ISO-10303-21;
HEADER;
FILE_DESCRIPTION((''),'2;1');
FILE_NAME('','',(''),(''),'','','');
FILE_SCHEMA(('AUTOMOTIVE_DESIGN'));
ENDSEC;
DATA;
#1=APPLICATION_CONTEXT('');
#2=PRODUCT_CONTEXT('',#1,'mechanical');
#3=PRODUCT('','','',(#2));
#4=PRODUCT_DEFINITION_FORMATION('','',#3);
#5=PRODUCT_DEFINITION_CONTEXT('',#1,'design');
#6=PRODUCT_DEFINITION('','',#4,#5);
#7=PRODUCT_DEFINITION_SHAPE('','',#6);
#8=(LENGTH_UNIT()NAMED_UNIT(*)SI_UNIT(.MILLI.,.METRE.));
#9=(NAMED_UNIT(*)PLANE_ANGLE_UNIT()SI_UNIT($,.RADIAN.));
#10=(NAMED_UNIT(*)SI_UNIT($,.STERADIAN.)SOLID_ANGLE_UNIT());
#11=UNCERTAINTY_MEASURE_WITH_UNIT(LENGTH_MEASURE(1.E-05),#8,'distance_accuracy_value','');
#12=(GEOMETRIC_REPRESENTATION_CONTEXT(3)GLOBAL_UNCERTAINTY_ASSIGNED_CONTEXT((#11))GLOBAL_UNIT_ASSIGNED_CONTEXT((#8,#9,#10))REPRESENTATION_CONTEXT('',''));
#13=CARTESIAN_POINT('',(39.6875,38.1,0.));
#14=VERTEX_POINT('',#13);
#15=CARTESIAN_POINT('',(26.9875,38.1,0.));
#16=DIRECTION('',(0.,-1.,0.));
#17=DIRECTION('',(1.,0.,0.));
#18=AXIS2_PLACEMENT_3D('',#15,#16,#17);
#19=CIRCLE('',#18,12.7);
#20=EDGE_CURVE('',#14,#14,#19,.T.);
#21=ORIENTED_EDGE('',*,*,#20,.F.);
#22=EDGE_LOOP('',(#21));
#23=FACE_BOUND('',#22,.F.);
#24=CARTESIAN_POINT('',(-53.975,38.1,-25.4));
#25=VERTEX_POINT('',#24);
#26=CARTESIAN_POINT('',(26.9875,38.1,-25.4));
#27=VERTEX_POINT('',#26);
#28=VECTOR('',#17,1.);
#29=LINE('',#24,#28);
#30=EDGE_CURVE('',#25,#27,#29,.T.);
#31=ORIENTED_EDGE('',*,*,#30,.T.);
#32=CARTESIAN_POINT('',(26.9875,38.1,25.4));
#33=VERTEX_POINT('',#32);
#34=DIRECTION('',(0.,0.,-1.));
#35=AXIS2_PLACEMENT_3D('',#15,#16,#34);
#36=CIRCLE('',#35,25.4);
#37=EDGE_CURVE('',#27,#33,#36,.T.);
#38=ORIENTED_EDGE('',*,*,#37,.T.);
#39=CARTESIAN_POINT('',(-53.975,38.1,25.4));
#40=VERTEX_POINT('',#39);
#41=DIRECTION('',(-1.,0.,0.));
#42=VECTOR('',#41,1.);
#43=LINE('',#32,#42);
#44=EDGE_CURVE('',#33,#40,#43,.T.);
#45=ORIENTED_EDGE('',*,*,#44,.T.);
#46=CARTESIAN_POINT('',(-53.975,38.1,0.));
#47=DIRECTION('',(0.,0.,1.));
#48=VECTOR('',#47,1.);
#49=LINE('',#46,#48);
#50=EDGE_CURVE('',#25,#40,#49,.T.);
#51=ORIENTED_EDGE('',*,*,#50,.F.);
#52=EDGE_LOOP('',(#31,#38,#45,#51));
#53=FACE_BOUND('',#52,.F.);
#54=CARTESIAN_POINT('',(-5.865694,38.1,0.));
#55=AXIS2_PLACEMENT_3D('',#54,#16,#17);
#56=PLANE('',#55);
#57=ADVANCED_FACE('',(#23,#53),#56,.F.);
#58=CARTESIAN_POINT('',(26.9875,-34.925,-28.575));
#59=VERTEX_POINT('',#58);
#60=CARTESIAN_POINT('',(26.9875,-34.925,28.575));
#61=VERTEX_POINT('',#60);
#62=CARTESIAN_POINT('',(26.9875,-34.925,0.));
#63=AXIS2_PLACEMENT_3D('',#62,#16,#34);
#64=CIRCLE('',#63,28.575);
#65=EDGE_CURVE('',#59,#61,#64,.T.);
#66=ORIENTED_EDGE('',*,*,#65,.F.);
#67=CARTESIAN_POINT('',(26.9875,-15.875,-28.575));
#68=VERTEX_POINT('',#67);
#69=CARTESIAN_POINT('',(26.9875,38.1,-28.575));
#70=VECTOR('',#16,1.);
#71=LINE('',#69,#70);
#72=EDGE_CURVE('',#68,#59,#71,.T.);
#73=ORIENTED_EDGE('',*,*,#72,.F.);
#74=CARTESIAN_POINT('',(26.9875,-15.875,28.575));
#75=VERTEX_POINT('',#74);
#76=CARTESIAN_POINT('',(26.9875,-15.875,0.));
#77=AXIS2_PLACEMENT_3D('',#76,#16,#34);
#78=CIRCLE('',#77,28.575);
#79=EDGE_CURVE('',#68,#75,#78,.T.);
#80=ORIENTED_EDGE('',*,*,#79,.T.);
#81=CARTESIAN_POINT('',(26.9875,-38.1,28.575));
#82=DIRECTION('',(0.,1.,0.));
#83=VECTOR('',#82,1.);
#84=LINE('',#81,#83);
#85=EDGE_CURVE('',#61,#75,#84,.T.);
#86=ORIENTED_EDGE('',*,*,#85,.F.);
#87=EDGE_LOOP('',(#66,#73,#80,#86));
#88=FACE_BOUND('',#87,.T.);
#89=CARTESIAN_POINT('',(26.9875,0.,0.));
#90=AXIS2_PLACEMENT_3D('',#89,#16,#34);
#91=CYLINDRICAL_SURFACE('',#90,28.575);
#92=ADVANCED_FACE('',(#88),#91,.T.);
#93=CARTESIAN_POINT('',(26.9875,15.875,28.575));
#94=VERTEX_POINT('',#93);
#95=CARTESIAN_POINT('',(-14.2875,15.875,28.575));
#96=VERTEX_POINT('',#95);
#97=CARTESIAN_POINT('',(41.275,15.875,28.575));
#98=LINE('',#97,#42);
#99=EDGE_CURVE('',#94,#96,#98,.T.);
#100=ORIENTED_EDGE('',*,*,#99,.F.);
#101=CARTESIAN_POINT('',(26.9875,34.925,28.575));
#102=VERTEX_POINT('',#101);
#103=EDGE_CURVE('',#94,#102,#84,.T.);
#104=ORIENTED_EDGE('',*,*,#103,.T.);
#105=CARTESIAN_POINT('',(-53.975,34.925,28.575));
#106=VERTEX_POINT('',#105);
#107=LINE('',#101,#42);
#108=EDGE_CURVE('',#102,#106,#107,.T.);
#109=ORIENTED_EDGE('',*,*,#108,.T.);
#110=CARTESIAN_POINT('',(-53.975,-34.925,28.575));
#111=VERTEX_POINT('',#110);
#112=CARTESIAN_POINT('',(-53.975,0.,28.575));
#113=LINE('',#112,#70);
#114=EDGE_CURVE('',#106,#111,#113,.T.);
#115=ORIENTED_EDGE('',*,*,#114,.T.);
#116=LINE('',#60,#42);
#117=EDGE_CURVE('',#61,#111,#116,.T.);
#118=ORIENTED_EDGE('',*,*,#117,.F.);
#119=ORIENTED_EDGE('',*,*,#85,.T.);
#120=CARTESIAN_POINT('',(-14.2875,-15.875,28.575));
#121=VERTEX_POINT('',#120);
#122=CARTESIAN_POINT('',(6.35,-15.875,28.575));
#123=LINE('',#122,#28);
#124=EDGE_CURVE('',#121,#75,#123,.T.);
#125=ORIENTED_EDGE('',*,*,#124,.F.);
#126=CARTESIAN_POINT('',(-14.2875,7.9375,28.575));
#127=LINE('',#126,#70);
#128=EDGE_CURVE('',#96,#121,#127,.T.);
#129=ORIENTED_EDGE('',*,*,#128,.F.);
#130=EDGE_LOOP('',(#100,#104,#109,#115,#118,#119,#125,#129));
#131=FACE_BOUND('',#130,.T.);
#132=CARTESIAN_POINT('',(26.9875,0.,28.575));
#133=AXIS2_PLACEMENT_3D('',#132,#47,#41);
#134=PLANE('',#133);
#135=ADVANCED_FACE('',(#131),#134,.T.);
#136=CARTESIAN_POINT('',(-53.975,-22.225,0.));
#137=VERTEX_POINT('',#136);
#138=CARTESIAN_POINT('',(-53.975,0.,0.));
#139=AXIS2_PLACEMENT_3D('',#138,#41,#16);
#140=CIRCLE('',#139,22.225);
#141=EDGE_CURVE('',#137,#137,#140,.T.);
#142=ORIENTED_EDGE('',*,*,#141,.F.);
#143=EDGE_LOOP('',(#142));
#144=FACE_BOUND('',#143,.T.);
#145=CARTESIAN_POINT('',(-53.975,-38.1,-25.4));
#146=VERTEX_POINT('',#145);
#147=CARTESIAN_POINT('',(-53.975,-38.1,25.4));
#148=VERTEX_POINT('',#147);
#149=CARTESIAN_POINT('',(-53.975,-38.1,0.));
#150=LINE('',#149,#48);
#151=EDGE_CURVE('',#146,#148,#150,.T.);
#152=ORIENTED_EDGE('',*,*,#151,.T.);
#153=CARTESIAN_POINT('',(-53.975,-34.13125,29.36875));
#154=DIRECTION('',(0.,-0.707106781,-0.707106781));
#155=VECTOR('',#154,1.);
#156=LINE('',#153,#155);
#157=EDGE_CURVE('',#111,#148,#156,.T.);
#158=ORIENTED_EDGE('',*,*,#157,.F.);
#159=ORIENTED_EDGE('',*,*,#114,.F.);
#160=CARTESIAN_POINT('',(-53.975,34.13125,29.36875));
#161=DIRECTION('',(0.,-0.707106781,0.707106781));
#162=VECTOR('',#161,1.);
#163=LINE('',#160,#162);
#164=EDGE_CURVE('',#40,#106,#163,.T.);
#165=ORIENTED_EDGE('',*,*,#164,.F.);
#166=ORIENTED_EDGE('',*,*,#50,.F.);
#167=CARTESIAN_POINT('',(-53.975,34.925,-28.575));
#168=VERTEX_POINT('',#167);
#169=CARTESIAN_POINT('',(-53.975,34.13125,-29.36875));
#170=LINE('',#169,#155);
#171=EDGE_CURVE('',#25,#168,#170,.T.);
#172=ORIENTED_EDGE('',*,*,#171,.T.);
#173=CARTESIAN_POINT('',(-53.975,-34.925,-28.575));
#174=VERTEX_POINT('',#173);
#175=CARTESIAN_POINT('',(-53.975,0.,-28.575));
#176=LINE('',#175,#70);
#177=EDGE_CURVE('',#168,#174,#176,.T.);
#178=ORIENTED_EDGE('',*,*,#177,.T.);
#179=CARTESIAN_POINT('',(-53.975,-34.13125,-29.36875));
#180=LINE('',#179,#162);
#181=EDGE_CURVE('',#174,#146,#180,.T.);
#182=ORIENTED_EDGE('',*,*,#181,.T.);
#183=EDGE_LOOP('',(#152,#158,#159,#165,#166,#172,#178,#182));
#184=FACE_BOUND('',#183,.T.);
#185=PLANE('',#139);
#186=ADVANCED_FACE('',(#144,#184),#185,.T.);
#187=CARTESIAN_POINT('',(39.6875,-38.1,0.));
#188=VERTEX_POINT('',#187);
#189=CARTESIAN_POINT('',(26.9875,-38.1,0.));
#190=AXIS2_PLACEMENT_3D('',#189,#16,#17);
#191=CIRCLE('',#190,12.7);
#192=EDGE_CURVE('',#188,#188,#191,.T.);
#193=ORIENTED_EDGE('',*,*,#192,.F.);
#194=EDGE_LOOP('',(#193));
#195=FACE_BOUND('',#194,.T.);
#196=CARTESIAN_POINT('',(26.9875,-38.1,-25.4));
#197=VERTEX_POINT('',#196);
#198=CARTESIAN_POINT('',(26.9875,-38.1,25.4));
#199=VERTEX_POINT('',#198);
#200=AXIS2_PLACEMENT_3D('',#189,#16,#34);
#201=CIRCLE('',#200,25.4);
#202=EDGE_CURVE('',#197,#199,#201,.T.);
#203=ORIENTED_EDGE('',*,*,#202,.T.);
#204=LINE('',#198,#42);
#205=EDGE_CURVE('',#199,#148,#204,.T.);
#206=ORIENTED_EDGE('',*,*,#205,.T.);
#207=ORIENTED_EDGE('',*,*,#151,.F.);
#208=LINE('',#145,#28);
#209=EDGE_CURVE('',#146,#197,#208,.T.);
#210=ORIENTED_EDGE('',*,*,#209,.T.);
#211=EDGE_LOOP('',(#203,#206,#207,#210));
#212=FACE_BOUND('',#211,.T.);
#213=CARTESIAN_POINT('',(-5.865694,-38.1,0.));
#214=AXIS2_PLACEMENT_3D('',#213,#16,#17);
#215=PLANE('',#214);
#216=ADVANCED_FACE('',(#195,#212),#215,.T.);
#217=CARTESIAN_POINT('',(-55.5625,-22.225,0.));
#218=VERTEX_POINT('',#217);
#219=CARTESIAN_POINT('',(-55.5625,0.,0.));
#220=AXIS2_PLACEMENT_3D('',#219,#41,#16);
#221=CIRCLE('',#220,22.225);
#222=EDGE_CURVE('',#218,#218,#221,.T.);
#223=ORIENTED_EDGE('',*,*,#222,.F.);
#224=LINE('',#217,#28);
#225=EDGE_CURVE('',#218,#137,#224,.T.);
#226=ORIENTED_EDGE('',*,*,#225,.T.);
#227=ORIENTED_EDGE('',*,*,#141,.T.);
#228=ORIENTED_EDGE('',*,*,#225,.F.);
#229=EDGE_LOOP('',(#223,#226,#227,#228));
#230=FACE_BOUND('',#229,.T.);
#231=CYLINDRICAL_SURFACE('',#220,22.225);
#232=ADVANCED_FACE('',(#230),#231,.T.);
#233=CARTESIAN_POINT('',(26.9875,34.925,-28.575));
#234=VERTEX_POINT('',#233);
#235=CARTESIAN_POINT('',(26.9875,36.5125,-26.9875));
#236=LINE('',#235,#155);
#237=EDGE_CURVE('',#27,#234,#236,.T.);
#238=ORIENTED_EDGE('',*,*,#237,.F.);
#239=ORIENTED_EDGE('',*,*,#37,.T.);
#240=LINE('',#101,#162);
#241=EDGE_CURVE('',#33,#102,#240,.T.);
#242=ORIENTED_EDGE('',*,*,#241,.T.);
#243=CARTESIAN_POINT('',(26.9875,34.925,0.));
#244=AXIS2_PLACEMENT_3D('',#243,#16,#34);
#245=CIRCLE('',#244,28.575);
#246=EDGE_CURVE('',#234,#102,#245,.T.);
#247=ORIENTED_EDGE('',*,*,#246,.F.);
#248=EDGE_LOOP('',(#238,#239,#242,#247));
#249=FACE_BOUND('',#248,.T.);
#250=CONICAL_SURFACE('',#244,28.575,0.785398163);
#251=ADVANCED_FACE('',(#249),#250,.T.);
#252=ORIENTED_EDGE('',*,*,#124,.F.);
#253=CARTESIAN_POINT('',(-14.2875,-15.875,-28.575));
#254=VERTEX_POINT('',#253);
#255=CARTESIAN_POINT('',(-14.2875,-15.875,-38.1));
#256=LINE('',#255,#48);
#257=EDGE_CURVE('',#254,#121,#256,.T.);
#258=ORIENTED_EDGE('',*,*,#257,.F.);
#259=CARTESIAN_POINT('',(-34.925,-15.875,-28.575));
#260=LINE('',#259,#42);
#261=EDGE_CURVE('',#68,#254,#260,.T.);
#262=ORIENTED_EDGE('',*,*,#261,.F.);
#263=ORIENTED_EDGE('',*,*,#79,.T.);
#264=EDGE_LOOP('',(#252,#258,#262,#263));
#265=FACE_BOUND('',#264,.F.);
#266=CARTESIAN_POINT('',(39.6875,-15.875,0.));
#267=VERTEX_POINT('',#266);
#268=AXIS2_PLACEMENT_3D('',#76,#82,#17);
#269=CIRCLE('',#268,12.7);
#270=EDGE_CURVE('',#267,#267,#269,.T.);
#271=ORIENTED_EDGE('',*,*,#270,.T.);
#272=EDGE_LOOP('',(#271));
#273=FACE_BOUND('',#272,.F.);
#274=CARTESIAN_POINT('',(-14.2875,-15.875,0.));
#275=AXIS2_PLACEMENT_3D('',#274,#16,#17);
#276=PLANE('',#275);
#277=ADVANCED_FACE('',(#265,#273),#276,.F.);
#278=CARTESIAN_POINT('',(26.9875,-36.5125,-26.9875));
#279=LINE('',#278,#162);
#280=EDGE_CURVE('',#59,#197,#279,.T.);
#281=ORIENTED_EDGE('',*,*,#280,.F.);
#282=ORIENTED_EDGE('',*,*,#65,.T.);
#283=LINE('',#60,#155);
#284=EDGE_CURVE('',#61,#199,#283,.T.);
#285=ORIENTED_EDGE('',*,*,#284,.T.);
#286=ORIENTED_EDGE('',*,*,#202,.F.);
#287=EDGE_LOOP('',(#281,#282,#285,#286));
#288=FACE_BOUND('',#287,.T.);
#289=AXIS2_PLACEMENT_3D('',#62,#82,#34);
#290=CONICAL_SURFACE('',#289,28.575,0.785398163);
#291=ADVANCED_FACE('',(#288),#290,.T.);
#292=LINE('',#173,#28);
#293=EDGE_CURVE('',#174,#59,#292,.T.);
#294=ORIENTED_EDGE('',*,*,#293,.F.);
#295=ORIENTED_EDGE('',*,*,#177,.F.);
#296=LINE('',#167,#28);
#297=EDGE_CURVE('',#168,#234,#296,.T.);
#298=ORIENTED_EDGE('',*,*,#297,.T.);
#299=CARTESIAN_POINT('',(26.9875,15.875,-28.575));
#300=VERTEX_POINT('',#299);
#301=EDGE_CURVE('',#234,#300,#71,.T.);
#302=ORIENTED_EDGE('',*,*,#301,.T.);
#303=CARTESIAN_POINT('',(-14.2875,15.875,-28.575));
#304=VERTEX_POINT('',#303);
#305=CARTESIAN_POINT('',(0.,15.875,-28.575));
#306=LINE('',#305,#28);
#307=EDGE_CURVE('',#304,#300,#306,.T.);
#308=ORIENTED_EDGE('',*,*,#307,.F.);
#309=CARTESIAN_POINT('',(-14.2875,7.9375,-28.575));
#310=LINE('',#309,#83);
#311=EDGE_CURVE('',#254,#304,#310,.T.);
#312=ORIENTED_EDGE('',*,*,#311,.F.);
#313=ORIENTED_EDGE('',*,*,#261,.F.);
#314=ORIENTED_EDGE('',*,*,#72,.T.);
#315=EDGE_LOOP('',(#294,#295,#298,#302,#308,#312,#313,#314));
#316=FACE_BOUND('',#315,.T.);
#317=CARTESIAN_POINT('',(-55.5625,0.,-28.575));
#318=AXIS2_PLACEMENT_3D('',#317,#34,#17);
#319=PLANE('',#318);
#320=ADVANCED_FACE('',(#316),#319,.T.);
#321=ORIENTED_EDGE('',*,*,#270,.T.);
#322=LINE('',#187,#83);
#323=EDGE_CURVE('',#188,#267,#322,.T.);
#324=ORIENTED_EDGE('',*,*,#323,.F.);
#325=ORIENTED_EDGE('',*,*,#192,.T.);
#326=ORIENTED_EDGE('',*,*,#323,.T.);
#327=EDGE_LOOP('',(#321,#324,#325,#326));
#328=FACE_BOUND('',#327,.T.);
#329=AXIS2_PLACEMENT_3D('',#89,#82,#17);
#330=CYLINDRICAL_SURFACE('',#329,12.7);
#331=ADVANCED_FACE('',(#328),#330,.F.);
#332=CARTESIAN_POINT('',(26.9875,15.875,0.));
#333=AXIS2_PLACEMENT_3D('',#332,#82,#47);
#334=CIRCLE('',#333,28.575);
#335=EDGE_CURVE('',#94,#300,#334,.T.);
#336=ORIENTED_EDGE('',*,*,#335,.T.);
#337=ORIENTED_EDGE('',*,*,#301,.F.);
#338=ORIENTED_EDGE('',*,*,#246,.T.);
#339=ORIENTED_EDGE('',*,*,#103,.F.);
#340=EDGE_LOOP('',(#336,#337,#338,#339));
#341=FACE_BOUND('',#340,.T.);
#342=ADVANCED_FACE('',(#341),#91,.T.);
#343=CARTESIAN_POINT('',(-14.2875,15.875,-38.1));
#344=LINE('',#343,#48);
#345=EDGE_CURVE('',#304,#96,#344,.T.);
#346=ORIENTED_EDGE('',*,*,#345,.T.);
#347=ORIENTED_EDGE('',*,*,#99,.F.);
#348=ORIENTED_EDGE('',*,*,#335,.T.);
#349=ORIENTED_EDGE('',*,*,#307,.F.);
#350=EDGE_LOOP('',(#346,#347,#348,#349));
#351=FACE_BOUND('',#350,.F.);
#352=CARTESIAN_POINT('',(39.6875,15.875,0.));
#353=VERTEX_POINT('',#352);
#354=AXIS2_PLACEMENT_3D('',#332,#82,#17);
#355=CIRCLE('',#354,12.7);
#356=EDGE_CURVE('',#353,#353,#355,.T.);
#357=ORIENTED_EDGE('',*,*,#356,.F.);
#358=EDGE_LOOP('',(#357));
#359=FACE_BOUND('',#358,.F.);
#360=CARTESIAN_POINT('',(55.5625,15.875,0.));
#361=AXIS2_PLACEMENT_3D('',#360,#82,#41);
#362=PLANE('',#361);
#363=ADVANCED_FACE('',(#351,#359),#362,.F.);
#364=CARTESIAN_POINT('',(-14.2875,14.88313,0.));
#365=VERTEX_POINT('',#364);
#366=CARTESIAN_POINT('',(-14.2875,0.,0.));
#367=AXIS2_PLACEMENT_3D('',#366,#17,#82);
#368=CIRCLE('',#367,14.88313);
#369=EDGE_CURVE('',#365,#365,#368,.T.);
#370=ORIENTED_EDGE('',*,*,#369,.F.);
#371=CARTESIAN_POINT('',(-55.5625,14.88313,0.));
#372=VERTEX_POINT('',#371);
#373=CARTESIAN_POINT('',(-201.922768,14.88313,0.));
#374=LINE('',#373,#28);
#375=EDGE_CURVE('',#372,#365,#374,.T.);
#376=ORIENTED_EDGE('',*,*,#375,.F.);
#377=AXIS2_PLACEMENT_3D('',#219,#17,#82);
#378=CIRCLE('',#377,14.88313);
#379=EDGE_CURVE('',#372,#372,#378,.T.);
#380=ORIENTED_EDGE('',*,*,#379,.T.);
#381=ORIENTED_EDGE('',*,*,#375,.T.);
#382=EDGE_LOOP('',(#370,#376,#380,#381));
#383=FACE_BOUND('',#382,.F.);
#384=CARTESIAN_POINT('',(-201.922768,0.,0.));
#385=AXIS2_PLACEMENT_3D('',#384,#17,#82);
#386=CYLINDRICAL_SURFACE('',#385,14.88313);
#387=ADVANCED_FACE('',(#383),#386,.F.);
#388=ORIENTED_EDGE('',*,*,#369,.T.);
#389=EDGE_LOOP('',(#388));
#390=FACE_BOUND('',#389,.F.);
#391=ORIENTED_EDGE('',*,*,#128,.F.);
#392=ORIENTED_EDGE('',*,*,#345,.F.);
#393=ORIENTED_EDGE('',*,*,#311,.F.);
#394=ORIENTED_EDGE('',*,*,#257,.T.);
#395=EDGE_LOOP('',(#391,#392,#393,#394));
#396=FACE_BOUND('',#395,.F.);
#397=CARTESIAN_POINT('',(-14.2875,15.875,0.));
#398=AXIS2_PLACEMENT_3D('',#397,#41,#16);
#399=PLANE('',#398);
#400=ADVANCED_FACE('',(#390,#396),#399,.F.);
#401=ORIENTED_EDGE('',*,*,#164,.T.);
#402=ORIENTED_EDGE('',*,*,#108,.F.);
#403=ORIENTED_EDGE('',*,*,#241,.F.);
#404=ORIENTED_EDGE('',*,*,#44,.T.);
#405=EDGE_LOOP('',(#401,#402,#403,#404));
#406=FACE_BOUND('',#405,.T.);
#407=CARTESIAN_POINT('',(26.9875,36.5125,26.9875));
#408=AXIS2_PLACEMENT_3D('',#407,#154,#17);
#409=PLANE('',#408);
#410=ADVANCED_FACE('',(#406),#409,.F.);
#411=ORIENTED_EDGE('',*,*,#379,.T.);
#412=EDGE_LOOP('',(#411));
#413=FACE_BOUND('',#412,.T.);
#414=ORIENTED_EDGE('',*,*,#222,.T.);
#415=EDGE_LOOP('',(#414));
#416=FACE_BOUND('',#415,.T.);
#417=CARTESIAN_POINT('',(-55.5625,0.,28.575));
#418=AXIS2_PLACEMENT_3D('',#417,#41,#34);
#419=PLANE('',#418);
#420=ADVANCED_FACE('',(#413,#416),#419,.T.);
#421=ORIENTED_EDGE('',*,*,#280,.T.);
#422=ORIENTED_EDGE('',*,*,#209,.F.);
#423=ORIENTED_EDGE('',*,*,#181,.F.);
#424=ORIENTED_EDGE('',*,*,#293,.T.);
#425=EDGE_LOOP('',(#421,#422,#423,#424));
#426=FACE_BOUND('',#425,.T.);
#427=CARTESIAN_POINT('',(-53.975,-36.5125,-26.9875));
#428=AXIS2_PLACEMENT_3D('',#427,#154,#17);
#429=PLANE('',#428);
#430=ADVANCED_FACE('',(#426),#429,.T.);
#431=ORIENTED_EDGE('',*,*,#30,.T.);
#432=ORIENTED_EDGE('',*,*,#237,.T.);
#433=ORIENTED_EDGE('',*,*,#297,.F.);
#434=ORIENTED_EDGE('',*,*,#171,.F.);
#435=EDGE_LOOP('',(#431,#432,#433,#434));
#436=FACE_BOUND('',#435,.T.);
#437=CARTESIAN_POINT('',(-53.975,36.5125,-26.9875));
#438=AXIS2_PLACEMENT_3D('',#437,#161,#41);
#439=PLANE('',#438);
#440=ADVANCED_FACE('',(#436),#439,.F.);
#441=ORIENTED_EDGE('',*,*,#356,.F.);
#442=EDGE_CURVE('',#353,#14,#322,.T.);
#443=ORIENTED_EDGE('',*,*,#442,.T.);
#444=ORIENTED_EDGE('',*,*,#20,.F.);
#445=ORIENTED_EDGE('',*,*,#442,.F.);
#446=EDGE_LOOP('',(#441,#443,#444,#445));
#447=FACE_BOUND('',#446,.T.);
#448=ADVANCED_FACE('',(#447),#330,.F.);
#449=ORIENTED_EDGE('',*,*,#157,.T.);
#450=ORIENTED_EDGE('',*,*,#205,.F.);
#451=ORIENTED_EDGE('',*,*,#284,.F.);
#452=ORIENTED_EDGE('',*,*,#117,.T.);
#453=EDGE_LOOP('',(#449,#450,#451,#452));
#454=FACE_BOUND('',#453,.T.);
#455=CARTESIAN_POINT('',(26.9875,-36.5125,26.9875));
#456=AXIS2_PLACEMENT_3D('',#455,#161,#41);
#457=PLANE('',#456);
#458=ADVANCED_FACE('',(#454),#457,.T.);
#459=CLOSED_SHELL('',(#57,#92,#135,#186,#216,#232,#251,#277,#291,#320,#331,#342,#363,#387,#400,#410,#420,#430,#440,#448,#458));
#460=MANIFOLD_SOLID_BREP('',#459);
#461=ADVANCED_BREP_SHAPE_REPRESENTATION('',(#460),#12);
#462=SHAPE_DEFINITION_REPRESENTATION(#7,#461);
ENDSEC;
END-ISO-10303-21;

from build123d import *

# Parameters (mm, degrees)
F0_R     = 12.7
F1_DEPTH = 38.1
F3_DEPTH = 38.1
F5_D     = 29.76626
F4_W     = 76.2
F4_H     = 57.15
F4_R     = 22.225
F6_DEPTH = 1.5875
F7_SIZE  = 3.175


with BuildPart() as f1:
    # F0 (on Front) → F1 (new body, symmetric)
    with BuildSketch(Plane.XZ):
        with BuildLine():
            Line((-55.5625, 28.575), (-55.5625, -28.575))
            Line((-55.5625, -28.575), (26.9875, -28.575))
            ThreePointArc((26.9875, -28.575), (55.5625, 0), (26.9875, 28.575))
            Line((26.9875, 28.575), (-55.5625, 28.575))
        make_face()
        with Locations((26.9875, 0)):
            Circle(F0_R, mode=Mode.SUBTRACT)
    extrude(amount=F1_DEPTH, both=True)

    # F2 (on Top) → F3 (cut, symmetric)
    with BuildSketch(Plane.XY):
        Polygon((55.5625, 0), (55.5625, 15.875), (-14.2875, 15.875), (-14.2875, 0), (-14.2875, -15.875), (55.5625, -15.875), align=None)
    extrude(amount=F3_DEPTH, both=True, mode=Mode.SUBTRACT)

    # F5 (through all)
    with Locations(Plane(origin=(-55.5625, 0, 0), x_dir=(0, -1, 0), z_dir=(-1, 0, 0))):
        with Locations((0, 0)):
            Hole(F5_D / 2)

    # F4 (on face) → F6 (cut)
    with BuildSketch(Plane(origin=(-55.5625, 0, 0), x_dir=(0, -1, 0), z_dir=(-1, 0, 0))):
        Rectangle(F4_W, F4_H)
        Circle(F4_R, mode=Mode.SUBTRACT)
    extrude(amount=-F6_DEPTH, mode=Mode.SUBTRACT)

    # F7
    f7_edges = [f1.edges().sort_by_distance(p)[0] for p in [
        (-13.49375, 38.1, 28.575),
        (-13.49375, -38.1, -28.575),
    ]]
    chamfer(f7_edges, length=F7_SIZE)


solid = f1.part
